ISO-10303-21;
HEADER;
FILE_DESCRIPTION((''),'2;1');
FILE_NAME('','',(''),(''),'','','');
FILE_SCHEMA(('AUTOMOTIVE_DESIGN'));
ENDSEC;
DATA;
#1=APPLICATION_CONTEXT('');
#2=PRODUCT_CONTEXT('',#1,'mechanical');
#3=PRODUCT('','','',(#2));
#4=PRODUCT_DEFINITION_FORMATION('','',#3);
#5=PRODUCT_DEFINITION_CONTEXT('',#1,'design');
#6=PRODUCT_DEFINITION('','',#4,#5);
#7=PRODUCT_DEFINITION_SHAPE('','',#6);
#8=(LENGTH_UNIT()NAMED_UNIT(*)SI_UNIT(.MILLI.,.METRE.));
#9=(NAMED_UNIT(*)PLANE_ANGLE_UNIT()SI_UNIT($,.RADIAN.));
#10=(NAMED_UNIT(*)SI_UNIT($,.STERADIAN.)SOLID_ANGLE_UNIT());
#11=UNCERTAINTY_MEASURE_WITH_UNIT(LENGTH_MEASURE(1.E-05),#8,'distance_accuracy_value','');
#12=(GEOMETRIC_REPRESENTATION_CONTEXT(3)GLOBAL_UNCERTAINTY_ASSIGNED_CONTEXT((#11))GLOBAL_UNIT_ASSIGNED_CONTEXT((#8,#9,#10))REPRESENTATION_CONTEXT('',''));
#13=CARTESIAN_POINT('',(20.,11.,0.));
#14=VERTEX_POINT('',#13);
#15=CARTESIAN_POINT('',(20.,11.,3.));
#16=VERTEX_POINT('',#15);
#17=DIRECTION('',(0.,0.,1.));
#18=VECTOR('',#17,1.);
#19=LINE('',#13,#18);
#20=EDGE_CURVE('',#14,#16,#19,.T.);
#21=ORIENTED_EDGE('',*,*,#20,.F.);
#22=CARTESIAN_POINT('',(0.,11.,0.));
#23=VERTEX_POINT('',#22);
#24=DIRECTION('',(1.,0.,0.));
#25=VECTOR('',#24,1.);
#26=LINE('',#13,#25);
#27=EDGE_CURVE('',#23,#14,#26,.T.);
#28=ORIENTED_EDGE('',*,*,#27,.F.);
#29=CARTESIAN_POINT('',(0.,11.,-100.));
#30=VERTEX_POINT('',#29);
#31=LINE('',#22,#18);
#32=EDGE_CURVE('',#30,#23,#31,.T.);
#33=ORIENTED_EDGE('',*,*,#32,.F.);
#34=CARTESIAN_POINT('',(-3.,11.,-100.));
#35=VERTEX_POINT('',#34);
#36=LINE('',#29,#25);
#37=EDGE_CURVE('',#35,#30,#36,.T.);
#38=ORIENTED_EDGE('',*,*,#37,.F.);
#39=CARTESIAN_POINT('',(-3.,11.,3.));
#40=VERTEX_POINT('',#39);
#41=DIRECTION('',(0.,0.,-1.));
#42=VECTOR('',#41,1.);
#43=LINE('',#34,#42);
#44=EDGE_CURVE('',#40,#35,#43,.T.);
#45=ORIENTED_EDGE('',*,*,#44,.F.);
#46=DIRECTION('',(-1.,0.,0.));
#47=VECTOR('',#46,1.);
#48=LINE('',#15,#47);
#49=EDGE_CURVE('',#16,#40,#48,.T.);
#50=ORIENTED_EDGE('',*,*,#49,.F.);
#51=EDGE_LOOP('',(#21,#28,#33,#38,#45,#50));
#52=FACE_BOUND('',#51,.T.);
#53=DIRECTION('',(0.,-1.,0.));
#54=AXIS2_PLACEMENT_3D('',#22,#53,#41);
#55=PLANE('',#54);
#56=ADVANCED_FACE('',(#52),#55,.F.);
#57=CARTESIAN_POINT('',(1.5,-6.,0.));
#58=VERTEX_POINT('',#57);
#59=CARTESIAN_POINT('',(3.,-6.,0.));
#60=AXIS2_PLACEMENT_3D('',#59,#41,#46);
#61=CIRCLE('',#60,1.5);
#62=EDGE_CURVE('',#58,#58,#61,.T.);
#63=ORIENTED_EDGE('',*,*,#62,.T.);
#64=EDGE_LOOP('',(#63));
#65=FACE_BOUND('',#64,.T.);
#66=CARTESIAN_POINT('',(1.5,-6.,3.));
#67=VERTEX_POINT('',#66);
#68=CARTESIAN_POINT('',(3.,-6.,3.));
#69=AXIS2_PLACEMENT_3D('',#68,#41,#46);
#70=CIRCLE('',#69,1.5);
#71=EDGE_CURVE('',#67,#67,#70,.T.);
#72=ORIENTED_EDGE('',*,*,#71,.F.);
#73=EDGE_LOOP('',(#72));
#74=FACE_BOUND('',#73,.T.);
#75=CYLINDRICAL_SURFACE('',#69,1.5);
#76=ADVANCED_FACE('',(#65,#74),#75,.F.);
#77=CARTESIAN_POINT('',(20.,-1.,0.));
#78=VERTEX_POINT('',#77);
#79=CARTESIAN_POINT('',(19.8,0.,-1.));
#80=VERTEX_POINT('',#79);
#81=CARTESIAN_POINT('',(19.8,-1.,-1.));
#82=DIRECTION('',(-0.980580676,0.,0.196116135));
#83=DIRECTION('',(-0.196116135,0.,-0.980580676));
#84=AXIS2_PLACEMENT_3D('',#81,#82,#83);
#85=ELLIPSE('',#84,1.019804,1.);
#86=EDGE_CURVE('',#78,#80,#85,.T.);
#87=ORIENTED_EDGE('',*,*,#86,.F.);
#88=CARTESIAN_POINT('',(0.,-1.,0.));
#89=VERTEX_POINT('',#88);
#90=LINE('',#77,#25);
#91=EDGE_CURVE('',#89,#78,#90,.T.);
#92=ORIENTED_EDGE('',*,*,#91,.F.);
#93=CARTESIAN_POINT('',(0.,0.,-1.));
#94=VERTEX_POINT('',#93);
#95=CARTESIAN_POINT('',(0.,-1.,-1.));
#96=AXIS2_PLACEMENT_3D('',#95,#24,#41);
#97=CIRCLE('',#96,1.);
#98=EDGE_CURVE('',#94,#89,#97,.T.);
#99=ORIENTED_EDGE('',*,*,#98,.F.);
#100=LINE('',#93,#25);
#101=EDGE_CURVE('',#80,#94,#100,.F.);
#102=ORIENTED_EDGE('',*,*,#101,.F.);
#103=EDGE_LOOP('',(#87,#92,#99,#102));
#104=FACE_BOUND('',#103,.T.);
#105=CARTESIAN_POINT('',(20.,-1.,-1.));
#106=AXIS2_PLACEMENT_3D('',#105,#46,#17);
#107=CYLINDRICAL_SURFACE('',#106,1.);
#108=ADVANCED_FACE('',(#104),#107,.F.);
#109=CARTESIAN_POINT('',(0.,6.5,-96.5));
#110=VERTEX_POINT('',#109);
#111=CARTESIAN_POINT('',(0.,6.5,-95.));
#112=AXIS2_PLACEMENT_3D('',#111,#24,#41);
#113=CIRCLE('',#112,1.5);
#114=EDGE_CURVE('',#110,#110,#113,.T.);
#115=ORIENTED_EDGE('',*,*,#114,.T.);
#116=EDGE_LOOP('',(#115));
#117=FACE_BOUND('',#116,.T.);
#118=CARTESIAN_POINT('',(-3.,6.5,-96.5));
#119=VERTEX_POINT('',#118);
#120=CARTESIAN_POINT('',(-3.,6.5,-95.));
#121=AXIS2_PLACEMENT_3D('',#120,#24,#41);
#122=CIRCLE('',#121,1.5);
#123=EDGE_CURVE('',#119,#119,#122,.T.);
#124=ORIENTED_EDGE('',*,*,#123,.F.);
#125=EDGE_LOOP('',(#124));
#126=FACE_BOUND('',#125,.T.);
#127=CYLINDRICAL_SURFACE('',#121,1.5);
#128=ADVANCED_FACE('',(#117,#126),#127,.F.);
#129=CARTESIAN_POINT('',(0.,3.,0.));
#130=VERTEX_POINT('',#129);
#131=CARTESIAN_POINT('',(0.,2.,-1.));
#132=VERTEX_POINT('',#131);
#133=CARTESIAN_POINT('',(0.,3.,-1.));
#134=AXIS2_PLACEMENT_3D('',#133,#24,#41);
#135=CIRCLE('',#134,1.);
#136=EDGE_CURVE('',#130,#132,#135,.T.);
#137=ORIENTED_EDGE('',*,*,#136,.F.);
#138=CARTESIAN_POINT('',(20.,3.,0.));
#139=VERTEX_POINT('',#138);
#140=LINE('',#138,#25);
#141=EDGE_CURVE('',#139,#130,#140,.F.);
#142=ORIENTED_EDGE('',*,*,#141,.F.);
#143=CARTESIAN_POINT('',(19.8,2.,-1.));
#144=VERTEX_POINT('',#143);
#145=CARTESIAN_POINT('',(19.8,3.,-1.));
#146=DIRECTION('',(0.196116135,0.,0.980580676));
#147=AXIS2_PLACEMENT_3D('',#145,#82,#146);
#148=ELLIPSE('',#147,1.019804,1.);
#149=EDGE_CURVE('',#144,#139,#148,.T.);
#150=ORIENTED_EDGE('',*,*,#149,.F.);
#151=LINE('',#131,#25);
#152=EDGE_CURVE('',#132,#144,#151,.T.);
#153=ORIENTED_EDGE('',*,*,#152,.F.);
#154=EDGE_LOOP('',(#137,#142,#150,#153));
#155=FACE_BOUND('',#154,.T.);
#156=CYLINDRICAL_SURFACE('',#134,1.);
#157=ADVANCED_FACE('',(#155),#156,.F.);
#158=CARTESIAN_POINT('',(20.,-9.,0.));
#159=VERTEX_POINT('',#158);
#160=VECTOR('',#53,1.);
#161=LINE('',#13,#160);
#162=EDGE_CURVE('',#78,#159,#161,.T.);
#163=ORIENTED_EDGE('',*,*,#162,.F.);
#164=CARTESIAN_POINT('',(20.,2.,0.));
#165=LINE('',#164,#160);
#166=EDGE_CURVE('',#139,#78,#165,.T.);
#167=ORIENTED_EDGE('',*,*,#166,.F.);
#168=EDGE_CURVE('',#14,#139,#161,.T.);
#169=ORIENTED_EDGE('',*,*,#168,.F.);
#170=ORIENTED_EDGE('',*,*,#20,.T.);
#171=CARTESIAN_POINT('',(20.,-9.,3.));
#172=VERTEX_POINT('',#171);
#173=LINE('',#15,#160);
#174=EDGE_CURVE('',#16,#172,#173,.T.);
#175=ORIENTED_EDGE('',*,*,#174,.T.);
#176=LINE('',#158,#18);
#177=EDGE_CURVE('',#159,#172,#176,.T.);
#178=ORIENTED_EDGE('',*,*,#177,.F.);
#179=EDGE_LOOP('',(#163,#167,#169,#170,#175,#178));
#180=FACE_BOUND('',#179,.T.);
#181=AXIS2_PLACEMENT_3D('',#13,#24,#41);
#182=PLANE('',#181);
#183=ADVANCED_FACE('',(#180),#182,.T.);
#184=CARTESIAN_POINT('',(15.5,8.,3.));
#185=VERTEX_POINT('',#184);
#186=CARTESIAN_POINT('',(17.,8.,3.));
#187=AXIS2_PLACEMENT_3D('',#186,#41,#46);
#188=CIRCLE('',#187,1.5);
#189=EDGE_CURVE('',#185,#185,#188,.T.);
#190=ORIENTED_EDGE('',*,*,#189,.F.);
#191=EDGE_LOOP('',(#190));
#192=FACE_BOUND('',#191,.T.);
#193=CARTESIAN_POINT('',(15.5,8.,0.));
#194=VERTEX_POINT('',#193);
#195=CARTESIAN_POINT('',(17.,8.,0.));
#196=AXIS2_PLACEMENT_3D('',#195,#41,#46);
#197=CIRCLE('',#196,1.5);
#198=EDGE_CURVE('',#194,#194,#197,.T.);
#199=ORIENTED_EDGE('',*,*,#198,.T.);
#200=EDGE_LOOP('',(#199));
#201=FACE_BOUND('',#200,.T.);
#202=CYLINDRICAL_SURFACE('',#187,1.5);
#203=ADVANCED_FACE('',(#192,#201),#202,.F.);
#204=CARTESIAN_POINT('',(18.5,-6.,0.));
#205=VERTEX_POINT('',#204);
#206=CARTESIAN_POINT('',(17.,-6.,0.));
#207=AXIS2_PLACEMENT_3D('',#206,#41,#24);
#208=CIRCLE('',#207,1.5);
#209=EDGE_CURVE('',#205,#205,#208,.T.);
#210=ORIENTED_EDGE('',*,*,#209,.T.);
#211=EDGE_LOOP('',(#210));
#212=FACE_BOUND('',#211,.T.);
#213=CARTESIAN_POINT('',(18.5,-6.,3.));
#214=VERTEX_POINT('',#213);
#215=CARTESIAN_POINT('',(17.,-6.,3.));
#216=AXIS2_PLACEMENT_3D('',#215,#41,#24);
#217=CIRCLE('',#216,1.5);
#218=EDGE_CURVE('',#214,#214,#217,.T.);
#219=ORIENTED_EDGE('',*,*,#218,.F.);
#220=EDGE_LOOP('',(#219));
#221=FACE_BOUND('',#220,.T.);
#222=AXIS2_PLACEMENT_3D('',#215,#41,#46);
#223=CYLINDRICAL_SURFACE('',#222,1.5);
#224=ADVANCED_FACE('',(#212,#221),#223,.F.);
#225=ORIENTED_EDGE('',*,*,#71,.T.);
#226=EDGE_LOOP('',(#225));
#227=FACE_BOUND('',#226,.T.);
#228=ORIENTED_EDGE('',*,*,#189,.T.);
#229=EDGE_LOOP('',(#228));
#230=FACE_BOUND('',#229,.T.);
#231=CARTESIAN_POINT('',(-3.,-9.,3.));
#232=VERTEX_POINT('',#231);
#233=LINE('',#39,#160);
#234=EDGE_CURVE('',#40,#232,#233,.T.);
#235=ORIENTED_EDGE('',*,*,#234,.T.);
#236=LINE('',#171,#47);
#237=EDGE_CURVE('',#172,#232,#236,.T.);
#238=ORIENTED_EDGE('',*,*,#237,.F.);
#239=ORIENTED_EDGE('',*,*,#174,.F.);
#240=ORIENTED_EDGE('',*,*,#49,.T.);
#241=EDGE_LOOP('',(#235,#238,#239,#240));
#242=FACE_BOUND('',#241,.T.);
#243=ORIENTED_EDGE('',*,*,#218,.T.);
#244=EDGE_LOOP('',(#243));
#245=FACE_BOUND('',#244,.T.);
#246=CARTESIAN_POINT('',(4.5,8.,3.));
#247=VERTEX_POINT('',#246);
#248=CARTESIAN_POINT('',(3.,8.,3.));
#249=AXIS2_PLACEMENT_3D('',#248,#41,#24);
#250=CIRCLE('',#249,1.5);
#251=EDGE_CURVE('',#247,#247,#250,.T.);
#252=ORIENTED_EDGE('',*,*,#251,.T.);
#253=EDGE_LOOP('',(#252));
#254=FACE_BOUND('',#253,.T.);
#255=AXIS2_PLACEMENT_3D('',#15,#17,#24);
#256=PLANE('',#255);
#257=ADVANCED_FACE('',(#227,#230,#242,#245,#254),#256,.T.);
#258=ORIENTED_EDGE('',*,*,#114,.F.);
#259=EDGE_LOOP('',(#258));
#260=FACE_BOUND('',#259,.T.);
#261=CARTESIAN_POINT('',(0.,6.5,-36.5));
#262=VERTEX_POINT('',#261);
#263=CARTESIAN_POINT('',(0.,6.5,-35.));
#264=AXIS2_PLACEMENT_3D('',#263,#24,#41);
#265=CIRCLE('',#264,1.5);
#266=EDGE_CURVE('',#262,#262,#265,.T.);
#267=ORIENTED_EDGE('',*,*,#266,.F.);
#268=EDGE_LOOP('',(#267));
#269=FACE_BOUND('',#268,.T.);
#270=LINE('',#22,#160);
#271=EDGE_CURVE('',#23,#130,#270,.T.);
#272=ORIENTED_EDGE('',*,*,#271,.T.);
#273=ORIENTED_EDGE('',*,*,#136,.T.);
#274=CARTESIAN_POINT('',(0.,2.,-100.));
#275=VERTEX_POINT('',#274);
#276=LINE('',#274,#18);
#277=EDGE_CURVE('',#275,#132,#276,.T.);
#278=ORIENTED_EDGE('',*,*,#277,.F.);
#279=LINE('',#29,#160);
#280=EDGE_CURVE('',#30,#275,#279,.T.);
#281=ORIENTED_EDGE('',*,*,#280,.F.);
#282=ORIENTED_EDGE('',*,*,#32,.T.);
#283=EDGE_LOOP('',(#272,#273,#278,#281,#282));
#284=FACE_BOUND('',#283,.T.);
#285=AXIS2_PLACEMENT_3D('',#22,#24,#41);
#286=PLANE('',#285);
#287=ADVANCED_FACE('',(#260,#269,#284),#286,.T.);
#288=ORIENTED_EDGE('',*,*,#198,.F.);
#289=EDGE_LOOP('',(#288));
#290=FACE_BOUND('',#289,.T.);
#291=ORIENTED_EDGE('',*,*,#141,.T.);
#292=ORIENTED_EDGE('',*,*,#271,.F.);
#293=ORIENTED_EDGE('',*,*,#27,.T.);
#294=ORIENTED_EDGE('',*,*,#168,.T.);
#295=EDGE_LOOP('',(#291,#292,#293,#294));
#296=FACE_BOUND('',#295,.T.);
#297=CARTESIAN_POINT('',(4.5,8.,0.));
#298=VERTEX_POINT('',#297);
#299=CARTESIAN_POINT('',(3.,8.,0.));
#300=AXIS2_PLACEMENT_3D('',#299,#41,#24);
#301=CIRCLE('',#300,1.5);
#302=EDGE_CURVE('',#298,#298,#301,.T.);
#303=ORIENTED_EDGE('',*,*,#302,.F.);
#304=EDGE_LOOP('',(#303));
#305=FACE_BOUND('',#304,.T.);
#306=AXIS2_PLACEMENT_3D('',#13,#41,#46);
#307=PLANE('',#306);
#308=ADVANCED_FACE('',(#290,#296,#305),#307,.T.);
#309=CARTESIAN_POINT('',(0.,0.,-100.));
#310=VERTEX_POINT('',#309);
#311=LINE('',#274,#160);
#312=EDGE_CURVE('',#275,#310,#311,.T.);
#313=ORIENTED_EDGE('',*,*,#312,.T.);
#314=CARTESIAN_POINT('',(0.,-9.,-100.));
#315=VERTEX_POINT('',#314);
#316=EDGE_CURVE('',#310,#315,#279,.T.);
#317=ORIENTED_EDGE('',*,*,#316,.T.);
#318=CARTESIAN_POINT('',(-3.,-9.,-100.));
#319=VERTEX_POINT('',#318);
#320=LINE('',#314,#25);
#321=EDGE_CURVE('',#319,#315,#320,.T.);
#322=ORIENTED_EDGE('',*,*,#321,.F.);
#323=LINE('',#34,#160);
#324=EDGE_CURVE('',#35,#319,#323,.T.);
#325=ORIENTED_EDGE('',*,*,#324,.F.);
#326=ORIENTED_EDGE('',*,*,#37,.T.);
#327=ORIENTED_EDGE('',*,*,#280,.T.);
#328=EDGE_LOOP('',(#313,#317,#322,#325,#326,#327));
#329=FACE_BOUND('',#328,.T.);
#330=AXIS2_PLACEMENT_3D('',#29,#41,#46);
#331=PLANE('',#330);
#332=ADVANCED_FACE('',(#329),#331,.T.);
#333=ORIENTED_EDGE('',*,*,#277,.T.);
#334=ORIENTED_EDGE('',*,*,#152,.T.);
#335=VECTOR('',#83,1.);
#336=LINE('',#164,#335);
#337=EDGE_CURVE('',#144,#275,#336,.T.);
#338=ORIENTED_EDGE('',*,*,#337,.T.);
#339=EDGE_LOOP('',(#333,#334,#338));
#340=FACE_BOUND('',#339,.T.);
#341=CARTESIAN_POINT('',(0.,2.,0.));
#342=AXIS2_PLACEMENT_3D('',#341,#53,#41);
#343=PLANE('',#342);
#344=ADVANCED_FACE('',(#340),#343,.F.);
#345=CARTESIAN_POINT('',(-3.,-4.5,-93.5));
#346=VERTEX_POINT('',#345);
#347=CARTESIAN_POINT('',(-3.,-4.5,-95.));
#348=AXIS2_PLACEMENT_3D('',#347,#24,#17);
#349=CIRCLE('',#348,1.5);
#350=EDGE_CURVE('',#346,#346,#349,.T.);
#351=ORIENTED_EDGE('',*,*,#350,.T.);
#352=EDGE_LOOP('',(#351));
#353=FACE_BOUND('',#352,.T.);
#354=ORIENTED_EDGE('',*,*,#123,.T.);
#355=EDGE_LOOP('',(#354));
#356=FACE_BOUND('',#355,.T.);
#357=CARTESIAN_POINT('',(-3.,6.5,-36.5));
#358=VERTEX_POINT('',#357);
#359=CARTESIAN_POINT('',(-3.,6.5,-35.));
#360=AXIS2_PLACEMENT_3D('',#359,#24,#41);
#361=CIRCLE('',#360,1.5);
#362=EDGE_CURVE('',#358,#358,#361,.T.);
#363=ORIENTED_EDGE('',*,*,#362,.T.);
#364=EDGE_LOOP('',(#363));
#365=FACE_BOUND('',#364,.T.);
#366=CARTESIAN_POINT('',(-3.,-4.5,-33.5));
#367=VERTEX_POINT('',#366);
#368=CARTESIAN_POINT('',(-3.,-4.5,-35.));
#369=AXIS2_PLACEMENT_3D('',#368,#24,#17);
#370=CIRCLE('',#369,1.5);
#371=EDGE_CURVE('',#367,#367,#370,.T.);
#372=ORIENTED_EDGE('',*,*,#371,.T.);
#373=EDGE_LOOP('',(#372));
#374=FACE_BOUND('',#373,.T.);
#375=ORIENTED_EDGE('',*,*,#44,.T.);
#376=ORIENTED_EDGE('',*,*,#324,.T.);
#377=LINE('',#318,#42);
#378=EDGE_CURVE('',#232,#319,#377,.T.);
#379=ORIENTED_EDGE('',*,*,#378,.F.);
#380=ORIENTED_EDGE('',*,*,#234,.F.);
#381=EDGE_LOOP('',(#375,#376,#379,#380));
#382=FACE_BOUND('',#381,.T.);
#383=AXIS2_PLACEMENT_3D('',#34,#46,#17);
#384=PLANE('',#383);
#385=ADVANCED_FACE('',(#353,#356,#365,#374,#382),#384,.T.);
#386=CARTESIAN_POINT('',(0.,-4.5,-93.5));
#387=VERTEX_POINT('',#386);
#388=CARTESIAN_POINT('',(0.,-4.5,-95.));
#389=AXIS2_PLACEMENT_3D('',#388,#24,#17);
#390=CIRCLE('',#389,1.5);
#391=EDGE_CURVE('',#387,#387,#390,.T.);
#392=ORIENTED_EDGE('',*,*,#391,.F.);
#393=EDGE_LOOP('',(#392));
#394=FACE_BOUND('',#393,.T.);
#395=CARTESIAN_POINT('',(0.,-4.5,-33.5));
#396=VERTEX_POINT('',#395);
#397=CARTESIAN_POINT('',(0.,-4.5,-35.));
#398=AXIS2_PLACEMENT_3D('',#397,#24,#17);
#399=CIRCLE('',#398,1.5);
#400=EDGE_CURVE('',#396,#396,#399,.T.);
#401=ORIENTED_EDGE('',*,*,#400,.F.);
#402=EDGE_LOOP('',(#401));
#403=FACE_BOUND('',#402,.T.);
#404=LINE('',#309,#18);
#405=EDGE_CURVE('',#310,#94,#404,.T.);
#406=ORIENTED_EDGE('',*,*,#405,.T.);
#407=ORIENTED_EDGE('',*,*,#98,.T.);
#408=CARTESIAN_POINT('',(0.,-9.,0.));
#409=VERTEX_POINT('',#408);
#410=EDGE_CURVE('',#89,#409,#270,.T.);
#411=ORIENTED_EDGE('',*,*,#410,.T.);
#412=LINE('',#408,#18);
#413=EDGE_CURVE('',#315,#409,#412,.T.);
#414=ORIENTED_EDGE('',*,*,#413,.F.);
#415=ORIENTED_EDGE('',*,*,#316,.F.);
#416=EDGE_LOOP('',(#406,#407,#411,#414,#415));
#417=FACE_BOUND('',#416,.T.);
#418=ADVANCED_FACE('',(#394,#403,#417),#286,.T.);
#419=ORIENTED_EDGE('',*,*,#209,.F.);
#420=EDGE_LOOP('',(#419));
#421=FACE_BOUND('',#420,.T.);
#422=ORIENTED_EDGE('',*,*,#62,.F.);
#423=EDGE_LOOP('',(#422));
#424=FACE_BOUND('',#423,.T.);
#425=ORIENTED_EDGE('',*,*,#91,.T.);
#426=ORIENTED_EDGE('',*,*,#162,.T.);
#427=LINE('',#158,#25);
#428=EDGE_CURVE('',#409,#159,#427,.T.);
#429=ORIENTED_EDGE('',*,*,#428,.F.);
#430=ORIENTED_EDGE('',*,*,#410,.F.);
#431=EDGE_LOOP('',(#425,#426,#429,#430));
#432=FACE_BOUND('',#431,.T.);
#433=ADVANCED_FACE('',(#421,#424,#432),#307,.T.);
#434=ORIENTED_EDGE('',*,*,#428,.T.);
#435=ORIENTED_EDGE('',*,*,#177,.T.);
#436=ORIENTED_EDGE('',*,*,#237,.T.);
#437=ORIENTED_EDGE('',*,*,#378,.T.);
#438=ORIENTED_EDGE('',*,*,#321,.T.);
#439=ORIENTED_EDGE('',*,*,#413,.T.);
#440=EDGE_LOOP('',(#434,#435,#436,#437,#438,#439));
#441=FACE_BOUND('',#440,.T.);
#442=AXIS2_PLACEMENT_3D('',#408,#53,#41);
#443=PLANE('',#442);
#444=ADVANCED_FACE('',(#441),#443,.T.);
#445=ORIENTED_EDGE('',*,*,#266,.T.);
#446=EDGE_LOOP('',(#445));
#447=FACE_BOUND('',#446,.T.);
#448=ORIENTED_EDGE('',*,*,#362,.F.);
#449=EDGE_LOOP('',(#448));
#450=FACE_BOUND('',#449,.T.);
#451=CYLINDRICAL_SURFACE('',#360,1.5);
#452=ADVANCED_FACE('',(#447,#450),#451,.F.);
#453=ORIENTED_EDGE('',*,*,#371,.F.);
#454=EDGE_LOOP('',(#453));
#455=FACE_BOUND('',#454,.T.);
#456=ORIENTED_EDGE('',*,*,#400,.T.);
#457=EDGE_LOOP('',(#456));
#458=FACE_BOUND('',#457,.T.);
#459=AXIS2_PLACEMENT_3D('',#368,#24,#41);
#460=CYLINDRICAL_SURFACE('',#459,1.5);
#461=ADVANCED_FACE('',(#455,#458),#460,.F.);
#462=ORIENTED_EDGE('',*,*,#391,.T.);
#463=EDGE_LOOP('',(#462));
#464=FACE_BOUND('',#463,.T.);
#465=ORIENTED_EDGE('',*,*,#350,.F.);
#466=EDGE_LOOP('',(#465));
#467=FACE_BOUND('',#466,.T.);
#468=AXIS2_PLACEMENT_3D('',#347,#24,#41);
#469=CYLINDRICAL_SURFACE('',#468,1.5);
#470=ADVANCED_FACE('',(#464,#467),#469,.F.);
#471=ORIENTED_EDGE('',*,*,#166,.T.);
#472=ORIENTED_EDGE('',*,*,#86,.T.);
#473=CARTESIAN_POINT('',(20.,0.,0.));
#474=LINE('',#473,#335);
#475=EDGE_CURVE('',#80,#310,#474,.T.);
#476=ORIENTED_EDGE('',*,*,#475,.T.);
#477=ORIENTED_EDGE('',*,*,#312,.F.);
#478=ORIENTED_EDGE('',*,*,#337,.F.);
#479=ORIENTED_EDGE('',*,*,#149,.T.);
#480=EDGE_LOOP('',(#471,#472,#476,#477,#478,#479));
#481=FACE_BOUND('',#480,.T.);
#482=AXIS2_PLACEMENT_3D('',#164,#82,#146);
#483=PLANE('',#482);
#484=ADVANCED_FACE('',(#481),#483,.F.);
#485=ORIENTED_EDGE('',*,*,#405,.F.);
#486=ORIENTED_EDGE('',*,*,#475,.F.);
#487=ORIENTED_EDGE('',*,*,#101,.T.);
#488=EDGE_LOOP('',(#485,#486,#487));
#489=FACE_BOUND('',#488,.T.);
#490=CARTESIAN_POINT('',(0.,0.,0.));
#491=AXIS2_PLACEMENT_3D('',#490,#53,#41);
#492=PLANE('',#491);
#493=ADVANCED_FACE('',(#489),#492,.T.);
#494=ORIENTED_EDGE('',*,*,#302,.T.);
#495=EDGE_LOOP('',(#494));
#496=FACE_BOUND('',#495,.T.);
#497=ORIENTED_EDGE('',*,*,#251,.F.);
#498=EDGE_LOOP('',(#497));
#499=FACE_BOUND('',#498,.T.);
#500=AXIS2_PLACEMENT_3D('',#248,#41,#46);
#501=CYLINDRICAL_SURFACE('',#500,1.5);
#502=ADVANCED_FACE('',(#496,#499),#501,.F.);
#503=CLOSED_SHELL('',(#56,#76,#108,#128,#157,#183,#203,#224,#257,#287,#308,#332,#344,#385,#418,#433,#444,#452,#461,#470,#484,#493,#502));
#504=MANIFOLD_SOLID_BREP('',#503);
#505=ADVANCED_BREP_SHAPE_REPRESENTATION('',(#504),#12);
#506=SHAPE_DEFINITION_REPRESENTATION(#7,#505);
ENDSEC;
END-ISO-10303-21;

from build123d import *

# Parameters (mm, degrees)
EXTRUDE_1_DEPTH      = 2
EXTRUDE_2_DEPTH      = 10
EXTRUDE_2_DEPTH_BACK = 10
SKETCH_3_R           = 1.5
CUT_EXTRUDE_1_DEPTH  = 103.571925984
SKETCH_4_R           = 1.5
CUT_EXTRUDE_2_DEPTH  = 103.571925984
FILLET_1_R           = 1


with BuildPart() as part:
    # 草图1 → 凸台-拉伸1 (new body)
    with BuildSketch(Plane(origin=(0, 0, 0), x_dir=(1, 0, 0), z_dir=(0, 1, 0))):
        Polygon((0, 100), (0, 0), (20, 0), align=None)
    extrude(amount=EXTRUDE_1_DEPTH)

    # 草图2 → 凸台-拉伸2 (add, two sides: drawn at the far end of the back side and taken through both)
    with BuildSketch(Plane(origin=(0, 1, 0), x_dir=(-1, 0, 0), z_dir=(0, -1, 0)).offset(-EXTRUDE_2_DEPTH_BACK)):
        Polygon((-20, 0), (-20, -3), (3, -3), (3, 100), (0, 100), (0, 0), align=None)
    extrude(amount=EXTRUDE_2_DEPTH + EXTRUDE_2_DEPTH_BACK)

    # 草图3 → 切除-拉伸1 (cut, through all)
    with BuildSketch(Plane(origin=(0, 0, 0), x_dir=(0, 0, -1), z_dir=(1, 0, 0))):
        with Locations((95, 6.5)):
            Circle(SKETCH_3_R)
        with Locations((35, 6.5)):
            Circle(SKETCH_3_R)
        with Locations(Location((95, -4.5, 0), (0, 0, 180))):
            Circle(SKETCH_3_R)
        with Locations(Location((35, -4.5, 0), (0, 0, 180))):
            Circle(SKETCH_3_R)
    extrude(amount=-CUT_EXTRUDE_1_DEPTH, mode=Mode.SUBTRACT)

    # 草图4 → 切除-拉伸2 (cut, through all)
    with BuildSketch(Plane(origin=(0, 0, 0), x_dir=(-1, 0, 0), z_dir=(0, 0, -1))):
        with Locations((-17, 8)):
            Circle(SKETCH_4_R)
        with Locations(Location((-17, -6, 0), (0, 0, 180))):
            Circle(SKETCH_4_R)
        with Locations((-3, -6)):
            Circle(SKETCH_4_R)
        with Locations(Location((-3, 8, 0), (0, 0, 180))):
            Circle(SKETCH_4_R)
    extrude(amount=-CUT_EXTRUDE_2_DEPTH, mode=Mode.SUBTRACT)

    # 圆角1
    fillet_1_edges = [part.edges().sort_by_distance(p)[0] for p in [
        (10, 2, 0),
        (10, 0, 0),
    ]]
    fillet(fillet_1_edges, radius=FILLET_1_R)


solid = part.part
